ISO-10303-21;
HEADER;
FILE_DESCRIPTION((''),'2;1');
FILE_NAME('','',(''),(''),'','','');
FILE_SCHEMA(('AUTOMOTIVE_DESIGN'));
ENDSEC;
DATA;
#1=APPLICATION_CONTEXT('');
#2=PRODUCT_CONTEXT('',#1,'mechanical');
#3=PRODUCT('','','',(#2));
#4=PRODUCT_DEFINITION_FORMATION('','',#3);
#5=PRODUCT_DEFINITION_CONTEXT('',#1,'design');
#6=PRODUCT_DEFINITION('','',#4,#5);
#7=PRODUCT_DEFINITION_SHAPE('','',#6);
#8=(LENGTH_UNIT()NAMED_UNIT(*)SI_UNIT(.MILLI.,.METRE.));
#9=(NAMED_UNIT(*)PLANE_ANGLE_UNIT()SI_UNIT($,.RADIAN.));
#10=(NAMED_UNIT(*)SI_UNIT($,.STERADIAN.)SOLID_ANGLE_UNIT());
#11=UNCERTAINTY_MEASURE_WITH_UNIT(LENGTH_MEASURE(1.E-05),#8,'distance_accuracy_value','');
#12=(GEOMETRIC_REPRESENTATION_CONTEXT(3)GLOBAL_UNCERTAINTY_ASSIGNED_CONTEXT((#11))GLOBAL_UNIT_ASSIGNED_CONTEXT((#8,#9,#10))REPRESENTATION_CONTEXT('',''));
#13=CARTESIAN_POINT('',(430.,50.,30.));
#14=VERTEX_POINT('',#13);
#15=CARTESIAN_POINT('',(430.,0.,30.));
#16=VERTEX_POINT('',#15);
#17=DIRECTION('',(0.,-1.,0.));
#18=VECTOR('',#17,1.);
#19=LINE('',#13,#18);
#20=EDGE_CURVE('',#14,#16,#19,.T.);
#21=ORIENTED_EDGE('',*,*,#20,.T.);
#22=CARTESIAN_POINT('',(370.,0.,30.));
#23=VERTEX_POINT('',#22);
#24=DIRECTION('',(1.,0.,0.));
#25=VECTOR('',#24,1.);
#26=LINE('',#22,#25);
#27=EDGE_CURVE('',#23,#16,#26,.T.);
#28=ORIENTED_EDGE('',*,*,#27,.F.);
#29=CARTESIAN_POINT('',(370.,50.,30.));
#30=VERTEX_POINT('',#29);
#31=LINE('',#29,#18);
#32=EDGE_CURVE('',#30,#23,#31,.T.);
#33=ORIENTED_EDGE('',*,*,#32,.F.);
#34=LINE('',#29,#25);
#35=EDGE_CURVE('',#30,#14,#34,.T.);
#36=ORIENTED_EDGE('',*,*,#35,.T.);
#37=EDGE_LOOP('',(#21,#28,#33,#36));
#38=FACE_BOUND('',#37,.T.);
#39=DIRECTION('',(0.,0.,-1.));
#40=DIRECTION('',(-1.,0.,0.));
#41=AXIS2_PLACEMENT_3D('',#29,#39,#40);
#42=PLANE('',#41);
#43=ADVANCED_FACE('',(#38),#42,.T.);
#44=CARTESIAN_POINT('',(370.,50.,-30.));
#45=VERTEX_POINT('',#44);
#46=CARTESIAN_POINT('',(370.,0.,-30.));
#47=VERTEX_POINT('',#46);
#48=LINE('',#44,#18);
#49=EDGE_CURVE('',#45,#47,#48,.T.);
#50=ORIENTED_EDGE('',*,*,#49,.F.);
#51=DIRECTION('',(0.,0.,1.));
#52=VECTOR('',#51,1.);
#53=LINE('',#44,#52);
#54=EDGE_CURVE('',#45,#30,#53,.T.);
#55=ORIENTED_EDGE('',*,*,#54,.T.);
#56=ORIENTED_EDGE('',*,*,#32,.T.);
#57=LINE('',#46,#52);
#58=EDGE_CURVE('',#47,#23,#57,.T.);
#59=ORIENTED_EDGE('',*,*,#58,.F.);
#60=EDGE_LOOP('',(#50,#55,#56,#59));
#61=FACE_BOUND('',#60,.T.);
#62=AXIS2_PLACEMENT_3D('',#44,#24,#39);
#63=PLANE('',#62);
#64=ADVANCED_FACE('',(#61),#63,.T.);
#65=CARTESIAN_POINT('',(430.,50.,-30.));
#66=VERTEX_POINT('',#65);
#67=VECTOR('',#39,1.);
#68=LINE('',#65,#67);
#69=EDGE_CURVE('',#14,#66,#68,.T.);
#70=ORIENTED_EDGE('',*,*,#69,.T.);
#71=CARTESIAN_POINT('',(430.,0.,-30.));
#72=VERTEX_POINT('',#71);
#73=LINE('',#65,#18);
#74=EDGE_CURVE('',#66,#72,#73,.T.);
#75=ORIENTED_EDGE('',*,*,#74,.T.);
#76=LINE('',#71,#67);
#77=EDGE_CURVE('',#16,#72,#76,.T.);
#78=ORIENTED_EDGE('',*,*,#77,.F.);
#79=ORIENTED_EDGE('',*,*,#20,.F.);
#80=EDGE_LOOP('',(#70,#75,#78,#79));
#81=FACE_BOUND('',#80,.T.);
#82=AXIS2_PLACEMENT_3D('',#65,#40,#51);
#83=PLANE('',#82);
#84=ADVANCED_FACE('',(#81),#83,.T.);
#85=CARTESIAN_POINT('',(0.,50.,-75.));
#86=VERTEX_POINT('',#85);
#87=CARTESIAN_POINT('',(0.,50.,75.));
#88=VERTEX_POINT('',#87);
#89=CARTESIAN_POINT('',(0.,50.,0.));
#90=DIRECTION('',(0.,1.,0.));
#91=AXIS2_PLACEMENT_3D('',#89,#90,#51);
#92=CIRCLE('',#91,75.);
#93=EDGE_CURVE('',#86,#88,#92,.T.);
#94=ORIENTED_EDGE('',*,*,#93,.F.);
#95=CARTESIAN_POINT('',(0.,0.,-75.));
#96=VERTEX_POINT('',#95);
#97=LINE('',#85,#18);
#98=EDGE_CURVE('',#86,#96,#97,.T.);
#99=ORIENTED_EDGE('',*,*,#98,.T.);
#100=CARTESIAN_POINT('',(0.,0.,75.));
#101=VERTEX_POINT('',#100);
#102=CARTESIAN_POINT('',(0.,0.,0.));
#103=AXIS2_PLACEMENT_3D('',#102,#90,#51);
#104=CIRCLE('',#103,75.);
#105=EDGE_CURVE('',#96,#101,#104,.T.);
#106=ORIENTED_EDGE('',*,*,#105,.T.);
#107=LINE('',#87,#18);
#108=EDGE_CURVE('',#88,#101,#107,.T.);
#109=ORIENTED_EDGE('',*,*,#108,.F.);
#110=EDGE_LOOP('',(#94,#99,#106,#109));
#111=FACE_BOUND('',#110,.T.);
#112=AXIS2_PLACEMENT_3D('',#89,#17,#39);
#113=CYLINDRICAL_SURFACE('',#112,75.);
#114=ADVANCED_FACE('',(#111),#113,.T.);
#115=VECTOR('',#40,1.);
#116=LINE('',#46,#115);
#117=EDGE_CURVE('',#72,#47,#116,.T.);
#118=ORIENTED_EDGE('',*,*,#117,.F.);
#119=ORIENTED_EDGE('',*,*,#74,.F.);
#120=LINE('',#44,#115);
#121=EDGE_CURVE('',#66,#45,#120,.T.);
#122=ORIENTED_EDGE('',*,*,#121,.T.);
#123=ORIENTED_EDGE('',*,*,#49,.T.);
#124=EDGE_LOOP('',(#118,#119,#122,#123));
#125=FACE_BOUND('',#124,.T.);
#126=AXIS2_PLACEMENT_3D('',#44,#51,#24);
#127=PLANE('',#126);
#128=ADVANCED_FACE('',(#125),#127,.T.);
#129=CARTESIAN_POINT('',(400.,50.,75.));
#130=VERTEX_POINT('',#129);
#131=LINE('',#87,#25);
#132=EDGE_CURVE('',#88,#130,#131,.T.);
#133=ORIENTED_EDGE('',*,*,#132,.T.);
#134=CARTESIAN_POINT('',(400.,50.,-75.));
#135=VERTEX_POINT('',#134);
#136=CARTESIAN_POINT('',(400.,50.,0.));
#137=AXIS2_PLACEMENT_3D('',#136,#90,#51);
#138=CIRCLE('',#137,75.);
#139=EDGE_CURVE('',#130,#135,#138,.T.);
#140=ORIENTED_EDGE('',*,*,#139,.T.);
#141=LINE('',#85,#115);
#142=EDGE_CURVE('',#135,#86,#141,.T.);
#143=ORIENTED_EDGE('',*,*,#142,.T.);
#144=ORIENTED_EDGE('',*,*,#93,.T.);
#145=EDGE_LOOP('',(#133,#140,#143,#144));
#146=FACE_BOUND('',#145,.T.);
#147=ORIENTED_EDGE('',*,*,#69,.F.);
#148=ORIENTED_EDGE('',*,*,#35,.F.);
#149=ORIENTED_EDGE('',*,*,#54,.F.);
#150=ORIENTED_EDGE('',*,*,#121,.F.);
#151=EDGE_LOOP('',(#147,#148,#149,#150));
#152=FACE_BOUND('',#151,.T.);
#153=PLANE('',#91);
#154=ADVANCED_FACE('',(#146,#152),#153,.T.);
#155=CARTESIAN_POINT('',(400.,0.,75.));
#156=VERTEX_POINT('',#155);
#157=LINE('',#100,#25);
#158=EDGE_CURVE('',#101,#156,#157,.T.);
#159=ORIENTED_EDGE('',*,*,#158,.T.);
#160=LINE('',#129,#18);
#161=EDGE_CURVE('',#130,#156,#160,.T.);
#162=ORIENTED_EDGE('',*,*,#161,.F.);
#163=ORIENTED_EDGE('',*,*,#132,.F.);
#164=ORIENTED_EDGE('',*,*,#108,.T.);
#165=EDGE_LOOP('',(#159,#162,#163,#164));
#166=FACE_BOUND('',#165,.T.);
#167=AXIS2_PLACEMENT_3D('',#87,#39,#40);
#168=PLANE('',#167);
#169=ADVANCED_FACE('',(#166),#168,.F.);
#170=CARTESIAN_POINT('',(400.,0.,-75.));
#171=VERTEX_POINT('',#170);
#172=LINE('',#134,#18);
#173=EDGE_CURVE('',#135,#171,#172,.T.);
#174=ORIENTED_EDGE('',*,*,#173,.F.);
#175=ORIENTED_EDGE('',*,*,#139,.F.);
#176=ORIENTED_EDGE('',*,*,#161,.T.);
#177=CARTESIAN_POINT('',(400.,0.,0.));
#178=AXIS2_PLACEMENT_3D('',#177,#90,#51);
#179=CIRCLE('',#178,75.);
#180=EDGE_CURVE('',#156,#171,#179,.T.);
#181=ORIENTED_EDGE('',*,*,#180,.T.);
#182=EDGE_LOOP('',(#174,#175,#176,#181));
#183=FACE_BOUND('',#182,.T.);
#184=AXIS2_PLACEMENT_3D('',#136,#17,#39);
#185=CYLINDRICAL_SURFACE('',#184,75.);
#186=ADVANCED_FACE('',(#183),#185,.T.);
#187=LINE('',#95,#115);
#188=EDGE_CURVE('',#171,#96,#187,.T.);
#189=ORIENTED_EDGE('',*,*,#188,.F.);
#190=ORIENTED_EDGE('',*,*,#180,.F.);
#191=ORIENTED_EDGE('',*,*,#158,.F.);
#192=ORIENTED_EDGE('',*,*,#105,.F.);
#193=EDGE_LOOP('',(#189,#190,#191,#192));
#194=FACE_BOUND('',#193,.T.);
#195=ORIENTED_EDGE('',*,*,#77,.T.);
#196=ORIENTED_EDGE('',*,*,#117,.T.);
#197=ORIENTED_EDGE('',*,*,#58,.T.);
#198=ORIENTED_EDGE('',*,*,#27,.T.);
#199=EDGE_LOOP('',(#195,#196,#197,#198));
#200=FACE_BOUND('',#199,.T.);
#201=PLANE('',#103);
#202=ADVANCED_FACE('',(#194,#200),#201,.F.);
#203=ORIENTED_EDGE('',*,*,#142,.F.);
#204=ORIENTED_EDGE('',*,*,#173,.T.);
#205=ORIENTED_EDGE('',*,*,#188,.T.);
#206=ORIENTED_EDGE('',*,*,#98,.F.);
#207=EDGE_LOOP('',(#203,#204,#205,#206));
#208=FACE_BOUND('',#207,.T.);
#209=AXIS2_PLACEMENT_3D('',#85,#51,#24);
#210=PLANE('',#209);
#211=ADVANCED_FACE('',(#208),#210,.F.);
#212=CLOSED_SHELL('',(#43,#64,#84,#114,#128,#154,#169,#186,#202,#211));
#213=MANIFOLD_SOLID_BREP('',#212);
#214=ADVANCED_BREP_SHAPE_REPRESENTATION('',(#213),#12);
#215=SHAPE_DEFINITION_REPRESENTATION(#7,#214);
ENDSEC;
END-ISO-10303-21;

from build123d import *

# Parameters (mm, degrees)
SKETCH_1_W      = 60
SKETCH_1_H      = 60
EXTRUDE_1_DEPTH = 50


with BuildPart() as part:
    # 草图1 → 凸台-拉伸1 (new body)
    with BuildSketch(Plane(origin=(0, 0, 0), x_dir=(1, 0, 0), z_dir=(0, 1, 0))):
        with BuildLine():
            Line((0, 75), (400, 75))
            ThreePointArc((400, 75), (475, 0), (400, -75))
            Line((400, -75), (0, -75))
            ThreePointArc((0, -75), (-75, 0), (0, 75))
        make_face()
        with Locations((400, 0)):
            Rectangle(SKETCH_1_W, SKETCH_1_H, mode=Mode.SUBTRACT)
    extrude(amount=EXTRUDE_1_DEPTH)


solid = part.part
